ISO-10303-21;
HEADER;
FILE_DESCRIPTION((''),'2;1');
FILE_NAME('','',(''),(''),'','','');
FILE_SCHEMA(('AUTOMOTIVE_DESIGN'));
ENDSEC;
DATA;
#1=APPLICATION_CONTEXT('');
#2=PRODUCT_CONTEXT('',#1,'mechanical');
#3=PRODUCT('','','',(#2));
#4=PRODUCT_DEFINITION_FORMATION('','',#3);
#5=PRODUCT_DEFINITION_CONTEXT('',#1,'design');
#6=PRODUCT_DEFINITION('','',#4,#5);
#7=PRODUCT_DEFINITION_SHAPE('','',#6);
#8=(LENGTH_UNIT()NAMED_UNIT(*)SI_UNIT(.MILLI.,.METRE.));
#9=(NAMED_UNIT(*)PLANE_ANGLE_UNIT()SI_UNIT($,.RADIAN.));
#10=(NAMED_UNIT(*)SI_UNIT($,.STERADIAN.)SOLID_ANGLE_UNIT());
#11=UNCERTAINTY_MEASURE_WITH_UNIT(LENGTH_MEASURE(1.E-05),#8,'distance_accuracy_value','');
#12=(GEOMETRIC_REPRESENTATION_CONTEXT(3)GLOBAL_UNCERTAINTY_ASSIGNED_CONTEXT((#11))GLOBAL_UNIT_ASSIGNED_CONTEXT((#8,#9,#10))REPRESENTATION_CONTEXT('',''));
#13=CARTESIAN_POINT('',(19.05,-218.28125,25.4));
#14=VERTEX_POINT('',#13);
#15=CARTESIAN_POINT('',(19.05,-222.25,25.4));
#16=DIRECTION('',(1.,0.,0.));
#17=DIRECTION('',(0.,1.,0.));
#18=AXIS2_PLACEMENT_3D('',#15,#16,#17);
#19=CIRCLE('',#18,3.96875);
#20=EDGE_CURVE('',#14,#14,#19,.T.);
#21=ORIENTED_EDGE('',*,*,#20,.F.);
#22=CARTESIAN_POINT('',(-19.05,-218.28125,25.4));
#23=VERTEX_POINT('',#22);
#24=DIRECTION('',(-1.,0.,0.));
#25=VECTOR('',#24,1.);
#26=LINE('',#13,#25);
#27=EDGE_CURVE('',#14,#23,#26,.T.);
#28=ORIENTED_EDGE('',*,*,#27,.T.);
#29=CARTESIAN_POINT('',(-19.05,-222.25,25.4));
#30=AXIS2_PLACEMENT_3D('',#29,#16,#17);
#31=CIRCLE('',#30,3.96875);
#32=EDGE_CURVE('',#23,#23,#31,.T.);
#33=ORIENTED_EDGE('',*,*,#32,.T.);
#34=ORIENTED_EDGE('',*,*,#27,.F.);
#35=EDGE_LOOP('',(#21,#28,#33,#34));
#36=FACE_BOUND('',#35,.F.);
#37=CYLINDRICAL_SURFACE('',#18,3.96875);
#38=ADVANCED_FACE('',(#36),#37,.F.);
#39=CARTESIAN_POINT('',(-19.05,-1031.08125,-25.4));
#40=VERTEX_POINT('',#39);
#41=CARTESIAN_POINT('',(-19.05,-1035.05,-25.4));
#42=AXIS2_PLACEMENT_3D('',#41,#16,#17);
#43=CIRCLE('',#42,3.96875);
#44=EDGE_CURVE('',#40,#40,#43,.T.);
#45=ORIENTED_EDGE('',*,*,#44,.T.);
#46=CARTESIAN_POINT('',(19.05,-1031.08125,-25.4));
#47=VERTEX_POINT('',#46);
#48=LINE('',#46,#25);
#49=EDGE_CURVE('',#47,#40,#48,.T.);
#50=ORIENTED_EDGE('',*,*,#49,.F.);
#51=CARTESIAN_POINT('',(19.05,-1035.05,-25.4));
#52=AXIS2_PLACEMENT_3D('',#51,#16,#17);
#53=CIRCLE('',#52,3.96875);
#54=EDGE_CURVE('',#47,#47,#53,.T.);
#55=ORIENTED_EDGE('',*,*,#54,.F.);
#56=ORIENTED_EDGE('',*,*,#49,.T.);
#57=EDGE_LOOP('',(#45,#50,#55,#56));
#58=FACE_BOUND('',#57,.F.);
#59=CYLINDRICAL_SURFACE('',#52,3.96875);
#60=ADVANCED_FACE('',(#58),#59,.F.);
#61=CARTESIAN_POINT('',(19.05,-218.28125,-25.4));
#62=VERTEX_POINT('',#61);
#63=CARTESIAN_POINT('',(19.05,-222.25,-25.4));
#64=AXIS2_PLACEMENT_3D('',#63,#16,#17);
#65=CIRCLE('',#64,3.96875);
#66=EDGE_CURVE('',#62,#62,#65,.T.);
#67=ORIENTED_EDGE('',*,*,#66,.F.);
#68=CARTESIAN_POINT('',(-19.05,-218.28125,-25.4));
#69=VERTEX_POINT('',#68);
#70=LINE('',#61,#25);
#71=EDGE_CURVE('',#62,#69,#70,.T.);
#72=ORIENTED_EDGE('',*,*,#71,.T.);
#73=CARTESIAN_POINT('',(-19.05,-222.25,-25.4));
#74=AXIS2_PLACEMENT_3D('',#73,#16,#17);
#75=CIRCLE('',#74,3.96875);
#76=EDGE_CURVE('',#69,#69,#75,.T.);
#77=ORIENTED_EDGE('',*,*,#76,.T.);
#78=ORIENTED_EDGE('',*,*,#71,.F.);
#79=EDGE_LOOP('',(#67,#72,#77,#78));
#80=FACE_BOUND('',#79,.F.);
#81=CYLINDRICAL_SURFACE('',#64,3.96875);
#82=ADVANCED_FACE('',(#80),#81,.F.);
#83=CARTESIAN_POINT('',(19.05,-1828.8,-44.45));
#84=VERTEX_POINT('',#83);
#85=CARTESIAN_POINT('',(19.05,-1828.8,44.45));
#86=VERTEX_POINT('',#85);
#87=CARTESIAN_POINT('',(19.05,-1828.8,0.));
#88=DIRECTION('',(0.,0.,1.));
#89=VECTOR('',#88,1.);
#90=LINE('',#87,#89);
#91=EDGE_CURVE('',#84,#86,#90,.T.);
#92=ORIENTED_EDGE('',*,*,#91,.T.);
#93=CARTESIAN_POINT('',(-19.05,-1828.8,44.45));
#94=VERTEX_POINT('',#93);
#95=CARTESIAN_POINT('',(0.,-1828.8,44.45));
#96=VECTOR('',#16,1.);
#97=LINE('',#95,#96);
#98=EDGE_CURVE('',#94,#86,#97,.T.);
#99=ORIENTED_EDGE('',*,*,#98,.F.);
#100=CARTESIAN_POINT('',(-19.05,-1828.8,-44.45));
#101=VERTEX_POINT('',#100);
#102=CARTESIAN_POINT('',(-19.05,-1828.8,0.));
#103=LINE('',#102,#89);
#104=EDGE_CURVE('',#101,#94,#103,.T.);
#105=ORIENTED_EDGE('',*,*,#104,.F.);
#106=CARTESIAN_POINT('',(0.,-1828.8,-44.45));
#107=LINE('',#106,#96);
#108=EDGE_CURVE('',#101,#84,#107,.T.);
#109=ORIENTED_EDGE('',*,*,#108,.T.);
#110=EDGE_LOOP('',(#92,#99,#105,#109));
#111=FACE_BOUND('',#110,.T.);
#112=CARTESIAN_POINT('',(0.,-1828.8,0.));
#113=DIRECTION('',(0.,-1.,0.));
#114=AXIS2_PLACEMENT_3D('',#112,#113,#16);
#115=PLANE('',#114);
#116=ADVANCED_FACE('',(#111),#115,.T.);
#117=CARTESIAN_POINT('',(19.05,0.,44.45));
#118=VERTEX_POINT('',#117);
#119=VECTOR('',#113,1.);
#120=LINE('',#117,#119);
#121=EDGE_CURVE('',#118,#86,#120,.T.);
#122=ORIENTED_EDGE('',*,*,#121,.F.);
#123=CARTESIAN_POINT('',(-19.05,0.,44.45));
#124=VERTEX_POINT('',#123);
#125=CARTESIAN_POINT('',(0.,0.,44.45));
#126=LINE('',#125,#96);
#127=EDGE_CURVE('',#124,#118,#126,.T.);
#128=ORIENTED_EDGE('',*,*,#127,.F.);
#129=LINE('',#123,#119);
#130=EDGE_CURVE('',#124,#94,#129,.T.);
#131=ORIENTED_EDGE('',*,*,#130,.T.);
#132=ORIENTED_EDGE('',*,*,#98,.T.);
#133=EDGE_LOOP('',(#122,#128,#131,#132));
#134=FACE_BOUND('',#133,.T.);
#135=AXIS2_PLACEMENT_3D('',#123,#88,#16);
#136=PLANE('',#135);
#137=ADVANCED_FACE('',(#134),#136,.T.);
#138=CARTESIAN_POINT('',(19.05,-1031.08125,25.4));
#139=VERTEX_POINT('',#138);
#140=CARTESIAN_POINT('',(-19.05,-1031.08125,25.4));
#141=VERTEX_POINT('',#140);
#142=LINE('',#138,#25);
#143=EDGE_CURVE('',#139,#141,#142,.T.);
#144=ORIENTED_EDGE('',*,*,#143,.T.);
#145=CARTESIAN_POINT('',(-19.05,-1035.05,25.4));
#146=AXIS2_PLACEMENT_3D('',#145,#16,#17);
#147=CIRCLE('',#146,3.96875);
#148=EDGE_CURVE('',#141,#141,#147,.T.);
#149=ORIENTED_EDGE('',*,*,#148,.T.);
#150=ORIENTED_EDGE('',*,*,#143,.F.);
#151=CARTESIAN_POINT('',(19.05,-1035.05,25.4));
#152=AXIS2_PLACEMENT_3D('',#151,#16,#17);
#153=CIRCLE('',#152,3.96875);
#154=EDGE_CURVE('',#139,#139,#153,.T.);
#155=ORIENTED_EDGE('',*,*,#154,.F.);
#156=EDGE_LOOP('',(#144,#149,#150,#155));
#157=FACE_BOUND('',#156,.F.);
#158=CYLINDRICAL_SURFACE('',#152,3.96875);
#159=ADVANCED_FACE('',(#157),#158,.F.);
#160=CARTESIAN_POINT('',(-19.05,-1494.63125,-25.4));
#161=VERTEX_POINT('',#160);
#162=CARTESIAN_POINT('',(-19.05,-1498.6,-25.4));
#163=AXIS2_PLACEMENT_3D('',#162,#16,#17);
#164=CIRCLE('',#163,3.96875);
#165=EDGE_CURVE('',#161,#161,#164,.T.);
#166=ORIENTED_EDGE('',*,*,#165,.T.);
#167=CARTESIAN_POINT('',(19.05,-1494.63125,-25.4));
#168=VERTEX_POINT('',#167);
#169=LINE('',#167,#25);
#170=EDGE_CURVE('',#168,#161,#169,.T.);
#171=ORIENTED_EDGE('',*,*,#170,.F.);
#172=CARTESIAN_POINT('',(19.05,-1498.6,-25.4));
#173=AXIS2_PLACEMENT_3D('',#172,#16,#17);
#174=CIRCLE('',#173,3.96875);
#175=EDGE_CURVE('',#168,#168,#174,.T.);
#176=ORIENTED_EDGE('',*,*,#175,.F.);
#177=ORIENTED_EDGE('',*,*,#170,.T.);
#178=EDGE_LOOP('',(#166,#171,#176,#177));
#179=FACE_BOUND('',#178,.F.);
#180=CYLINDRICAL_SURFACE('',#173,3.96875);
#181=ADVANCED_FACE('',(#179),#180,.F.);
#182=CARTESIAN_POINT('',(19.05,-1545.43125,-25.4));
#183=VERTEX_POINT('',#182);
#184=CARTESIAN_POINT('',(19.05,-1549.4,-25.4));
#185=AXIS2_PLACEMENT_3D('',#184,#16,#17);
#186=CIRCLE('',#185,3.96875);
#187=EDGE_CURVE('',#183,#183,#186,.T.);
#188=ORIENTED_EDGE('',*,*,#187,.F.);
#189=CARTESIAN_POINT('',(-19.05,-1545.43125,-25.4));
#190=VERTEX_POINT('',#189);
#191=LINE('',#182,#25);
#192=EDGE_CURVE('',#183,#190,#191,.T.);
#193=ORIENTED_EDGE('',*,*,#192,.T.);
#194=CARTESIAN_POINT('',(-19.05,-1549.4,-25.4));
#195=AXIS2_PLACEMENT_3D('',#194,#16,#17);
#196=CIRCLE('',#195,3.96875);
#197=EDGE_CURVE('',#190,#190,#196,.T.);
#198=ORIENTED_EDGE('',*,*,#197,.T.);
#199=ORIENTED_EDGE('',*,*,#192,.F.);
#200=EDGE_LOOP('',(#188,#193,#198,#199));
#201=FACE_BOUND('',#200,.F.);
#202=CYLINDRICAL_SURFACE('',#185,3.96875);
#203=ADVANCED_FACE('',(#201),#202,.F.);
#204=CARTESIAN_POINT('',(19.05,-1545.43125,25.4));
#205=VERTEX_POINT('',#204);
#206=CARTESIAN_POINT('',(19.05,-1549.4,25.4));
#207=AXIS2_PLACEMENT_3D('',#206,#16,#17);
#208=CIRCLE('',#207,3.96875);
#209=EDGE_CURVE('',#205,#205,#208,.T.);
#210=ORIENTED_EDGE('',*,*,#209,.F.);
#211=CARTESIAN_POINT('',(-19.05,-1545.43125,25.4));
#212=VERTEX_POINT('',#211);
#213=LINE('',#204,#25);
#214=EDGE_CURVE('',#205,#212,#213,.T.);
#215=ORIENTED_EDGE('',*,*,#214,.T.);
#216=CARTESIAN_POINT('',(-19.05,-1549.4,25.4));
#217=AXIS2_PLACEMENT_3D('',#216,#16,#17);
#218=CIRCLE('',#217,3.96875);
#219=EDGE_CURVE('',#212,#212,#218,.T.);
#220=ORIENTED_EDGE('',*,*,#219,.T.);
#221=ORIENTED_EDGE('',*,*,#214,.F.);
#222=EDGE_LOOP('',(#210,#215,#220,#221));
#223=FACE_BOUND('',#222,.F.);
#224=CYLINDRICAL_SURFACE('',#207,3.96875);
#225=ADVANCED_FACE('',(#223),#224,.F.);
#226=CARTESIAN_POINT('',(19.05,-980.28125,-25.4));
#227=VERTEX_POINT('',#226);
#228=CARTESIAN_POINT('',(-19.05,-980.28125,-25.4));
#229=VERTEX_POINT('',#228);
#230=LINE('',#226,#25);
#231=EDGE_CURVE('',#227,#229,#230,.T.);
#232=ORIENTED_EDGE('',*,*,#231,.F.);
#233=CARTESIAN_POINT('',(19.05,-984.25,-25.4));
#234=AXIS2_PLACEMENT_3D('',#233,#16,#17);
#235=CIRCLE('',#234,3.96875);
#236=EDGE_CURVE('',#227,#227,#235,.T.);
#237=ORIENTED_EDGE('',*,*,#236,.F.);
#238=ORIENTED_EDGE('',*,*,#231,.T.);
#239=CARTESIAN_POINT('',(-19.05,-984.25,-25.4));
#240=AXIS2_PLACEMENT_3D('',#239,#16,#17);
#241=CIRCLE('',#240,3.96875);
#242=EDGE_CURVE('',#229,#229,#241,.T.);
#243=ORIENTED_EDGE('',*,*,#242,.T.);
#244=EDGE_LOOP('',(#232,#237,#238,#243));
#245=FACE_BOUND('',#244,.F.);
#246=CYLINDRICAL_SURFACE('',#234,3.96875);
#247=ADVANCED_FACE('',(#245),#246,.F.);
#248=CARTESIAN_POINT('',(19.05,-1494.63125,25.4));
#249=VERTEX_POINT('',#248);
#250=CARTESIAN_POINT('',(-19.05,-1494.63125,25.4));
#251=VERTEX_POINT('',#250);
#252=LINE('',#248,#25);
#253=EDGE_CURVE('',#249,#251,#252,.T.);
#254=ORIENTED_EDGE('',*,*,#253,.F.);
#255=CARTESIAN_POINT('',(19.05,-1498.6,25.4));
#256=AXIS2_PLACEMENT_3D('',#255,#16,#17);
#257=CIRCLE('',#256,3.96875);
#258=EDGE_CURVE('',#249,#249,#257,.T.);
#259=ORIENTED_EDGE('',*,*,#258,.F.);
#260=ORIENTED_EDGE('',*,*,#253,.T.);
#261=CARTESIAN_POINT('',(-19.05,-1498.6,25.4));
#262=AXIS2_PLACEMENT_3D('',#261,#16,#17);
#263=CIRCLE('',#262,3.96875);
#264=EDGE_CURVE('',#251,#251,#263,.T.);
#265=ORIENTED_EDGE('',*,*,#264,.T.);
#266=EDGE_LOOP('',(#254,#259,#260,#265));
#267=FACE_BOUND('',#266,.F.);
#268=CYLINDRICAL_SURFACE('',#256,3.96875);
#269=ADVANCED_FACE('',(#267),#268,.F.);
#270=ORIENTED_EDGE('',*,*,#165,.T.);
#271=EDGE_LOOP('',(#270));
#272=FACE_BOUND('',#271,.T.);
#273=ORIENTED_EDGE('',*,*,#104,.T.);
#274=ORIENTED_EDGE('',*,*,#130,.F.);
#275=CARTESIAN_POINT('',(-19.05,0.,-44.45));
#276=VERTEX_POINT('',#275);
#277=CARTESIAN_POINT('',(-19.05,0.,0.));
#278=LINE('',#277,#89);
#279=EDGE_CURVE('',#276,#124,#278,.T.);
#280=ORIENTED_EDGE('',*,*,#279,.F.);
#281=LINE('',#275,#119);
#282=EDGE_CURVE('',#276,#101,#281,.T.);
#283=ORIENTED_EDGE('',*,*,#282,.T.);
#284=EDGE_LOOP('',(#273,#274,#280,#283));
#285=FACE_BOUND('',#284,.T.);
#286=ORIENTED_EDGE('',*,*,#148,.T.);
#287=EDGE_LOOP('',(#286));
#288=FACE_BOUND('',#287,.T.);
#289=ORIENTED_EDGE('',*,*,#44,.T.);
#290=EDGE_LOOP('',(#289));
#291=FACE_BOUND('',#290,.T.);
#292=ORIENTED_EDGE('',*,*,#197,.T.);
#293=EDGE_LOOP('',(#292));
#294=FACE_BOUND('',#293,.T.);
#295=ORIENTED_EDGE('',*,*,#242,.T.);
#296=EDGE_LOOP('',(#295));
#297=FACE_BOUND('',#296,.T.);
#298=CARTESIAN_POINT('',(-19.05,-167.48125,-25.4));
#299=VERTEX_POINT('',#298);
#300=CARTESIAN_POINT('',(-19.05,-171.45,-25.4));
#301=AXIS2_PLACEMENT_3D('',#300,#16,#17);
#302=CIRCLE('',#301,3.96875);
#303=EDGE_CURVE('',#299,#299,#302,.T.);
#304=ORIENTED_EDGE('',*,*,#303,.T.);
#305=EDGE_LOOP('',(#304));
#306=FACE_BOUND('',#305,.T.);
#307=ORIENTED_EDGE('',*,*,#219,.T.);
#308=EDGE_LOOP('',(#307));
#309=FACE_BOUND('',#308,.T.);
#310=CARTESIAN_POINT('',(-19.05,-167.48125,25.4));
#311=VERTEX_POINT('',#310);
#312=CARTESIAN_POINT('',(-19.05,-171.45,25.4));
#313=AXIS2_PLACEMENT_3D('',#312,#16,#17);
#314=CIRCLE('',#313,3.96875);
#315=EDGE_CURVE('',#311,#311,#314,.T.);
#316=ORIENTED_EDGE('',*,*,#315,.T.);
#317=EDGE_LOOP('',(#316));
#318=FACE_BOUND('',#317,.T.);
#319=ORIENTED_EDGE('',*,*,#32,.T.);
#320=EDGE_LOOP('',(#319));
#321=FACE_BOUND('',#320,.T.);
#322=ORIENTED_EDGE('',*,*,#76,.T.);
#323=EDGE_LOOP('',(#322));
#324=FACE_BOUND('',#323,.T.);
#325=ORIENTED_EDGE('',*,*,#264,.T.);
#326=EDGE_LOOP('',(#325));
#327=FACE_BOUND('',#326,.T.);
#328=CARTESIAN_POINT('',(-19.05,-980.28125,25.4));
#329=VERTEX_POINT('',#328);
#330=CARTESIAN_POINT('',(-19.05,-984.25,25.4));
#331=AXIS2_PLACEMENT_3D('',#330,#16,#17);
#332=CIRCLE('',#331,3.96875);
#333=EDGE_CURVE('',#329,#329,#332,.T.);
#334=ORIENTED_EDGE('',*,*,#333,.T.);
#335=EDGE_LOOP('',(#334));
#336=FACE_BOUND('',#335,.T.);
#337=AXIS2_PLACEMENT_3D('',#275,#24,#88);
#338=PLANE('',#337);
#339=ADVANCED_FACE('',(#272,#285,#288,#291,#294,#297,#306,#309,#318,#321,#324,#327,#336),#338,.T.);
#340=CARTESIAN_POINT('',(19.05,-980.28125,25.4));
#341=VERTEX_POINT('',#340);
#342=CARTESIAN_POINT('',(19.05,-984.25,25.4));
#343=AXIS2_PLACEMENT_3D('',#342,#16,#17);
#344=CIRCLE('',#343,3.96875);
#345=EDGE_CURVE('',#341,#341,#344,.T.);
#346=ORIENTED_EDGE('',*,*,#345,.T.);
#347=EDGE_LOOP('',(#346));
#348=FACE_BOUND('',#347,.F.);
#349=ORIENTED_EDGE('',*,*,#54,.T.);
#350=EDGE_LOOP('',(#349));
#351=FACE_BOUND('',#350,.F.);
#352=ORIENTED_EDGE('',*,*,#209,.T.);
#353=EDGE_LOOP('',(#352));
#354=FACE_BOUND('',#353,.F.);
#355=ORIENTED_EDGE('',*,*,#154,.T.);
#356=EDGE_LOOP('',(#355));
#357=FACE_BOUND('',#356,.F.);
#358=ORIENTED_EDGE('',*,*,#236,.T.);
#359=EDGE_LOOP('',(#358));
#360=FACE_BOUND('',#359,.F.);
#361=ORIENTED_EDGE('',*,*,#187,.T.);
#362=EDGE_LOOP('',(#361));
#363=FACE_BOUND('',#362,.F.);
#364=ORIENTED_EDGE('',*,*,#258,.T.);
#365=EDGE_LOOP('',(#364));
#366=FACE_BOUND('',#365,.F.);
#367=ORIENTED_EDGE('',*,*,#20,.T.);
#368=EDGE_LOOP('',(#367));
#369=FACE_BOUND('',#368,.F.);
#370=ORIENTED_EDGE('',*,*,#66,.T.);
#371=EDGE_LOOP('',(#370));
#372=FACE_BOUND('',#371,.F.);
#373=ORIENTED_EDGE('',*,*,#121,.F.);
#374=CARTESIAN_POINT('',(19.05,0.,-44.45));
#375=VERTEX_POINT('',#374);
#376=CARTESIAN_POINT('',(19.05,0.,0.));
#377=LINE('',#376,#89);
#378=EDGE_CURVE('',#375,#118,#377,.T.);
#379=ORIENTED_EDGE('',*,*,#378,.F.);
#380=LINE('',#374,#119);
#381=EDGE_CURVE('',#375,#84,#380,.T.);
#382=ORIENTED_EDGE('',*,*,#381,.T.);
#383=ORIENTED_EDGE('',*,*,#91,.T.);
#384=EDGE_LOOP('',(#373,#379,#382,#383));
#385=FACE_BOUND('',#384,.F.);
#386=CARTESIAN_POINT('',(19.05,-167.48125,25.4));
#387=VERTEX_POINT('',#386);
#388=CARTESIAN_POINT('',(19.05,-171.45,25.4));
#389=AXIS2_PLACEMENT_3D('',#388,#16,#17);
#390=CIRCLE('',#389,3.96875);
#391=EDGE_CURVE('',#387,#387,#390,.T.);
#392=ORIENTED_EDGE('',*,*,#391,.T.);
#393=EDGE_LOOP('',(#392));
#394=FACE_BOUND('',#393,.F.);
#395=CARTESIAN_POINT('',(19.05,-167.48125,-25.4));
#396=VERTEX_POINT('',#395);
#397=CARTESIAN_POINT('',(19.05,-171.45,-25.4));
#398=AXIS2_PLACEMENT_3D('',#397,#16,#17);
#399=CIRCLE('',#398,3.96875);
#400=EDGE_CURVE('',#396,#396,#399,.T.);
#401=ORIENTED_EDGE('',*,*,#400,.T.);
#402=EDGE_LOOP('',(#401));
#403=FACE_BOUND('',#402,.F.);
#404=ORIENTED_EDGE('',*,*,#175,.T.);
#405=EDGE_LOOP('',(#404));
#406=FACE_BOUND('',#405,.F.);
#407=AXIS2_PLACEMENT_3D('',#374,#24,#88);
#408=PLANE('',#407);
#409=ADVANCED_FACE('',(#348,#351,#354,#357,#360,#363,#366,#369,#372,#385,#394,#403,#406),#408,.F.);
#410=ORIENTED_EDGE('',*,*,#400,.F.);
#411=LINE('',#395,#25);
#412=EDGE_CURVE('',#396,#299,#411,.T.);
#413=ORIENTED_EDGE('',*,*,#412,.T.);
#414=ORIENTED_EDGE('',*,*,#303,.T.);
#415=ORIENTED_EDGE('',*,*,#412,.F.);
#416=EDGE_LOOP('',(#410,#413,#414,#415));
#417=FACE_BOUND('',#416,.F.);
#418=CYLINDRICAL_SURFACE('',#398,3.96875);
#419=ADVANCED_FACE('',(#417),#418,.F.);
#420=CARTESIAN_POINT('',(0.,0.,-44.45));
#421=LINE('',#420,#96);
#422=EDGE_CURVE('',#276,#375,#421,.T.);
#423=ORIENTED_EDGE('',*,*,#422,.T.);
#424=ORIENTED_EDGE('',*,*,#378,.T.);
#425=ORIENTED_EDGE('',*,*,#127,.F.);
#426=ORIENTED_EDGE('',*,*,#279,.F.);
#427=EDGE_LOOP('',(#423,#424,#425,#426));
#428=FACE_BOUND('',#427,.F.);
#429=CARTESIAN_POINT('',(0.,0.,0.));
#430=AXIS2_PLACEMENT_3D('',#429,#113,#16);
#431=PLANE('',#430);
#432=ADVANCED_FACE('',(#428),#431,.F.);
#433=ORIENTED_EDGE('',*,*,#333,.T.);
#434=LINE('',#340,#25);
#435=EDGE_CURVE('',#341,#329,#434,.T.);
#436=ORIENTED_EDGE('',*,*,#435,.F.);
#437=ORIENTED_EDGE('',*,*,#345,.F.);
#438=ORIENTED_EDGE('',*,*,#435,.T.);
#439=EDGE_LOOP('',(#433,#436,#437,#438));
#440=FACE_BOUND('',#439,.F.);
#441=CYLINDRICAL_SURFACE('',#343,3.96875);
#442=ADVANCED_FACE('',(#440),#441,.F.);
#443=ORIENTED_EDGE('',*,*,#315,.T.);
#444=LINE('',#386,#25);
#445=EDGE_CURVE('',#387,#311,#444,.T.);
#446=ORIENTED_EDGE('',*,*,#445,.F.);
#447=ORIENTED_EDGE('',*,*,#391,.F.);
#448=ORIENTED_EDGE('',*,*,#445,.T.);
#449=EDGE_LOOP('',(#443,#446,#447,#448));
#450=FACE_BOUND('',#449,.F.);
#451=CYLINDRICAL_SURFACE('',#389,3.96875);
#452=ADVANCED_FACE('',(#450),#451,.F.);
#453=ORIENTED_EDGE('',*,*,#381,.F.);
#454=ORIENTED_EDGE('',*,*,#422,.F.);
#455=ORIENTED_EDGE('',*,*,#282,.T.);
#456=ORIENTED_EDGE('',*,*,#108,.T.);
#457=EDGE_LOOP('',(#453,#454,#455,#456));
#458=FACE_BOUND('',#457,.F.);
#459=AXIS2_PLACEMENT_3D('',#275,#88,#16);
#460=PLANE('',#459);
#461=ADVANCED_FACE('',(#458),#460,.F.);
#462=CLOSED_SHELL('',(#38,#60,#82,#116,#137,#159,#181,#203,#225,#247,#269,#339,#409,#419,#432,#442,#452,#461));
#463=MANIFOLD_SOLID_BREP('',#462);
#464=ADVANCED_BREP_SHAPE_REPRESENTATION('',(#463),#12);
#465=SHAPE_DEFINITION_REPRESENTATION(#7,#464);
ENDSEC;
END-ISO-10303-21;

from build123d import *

# Parameters (mm, degrees)
F0_W     = 38.1
F0_H     = 88.9
F1_DEPTH = 1828.8
F2_R     = 3.96875
F3_DEPTH = 38.101


with BuildPart() as f1:
    # F0 (on Front) → F1 (new body)
    with BuildSketch(Plane.XZ):
        Rectangle(F0_W, F0_H)
    extrude(amount=F1_DEPTH)

    # F2 (on face) → F3 (cut, through all)
    with BuildSketch(Plane.YZ.offset(19.05)):
        with Locations((-1498.6, 25.4)):
            Circle(F2_R)
        with Locations((-1498.6, -25.4)):
            Circle(F2_R)
        with Locations((-1549.4, -25.4)):
            Circle(F2_R)
        with Locations((-1549.4, 25.4)):
            Circle(F2_R)
        with Locations((-1035.05, 25.4)):
            Circle(F2_R)
        with Locations((-1035.05, -25.4)):
            Circle(F2_R)
        with Locations((-984.25, -25.4)):
            Circle(F2_R)
        with Locations((-984.25, 25.4)):
            Circle(F2_R)
        with Locations((-222.25, 25.4)):
            Circle(F2_R)
        with Locations((-171.45, 25.4)):
            Circle(F2_R)
        with Locations((-171.45, -25.4)):
            Circle(F2_R)
        with Locations((-222.25, -25.4)):
            Circle(F2_R)
    extrude(amount=-F3_DEPTH, mode=Mode.SUBTRACT)


solid = f1.part
